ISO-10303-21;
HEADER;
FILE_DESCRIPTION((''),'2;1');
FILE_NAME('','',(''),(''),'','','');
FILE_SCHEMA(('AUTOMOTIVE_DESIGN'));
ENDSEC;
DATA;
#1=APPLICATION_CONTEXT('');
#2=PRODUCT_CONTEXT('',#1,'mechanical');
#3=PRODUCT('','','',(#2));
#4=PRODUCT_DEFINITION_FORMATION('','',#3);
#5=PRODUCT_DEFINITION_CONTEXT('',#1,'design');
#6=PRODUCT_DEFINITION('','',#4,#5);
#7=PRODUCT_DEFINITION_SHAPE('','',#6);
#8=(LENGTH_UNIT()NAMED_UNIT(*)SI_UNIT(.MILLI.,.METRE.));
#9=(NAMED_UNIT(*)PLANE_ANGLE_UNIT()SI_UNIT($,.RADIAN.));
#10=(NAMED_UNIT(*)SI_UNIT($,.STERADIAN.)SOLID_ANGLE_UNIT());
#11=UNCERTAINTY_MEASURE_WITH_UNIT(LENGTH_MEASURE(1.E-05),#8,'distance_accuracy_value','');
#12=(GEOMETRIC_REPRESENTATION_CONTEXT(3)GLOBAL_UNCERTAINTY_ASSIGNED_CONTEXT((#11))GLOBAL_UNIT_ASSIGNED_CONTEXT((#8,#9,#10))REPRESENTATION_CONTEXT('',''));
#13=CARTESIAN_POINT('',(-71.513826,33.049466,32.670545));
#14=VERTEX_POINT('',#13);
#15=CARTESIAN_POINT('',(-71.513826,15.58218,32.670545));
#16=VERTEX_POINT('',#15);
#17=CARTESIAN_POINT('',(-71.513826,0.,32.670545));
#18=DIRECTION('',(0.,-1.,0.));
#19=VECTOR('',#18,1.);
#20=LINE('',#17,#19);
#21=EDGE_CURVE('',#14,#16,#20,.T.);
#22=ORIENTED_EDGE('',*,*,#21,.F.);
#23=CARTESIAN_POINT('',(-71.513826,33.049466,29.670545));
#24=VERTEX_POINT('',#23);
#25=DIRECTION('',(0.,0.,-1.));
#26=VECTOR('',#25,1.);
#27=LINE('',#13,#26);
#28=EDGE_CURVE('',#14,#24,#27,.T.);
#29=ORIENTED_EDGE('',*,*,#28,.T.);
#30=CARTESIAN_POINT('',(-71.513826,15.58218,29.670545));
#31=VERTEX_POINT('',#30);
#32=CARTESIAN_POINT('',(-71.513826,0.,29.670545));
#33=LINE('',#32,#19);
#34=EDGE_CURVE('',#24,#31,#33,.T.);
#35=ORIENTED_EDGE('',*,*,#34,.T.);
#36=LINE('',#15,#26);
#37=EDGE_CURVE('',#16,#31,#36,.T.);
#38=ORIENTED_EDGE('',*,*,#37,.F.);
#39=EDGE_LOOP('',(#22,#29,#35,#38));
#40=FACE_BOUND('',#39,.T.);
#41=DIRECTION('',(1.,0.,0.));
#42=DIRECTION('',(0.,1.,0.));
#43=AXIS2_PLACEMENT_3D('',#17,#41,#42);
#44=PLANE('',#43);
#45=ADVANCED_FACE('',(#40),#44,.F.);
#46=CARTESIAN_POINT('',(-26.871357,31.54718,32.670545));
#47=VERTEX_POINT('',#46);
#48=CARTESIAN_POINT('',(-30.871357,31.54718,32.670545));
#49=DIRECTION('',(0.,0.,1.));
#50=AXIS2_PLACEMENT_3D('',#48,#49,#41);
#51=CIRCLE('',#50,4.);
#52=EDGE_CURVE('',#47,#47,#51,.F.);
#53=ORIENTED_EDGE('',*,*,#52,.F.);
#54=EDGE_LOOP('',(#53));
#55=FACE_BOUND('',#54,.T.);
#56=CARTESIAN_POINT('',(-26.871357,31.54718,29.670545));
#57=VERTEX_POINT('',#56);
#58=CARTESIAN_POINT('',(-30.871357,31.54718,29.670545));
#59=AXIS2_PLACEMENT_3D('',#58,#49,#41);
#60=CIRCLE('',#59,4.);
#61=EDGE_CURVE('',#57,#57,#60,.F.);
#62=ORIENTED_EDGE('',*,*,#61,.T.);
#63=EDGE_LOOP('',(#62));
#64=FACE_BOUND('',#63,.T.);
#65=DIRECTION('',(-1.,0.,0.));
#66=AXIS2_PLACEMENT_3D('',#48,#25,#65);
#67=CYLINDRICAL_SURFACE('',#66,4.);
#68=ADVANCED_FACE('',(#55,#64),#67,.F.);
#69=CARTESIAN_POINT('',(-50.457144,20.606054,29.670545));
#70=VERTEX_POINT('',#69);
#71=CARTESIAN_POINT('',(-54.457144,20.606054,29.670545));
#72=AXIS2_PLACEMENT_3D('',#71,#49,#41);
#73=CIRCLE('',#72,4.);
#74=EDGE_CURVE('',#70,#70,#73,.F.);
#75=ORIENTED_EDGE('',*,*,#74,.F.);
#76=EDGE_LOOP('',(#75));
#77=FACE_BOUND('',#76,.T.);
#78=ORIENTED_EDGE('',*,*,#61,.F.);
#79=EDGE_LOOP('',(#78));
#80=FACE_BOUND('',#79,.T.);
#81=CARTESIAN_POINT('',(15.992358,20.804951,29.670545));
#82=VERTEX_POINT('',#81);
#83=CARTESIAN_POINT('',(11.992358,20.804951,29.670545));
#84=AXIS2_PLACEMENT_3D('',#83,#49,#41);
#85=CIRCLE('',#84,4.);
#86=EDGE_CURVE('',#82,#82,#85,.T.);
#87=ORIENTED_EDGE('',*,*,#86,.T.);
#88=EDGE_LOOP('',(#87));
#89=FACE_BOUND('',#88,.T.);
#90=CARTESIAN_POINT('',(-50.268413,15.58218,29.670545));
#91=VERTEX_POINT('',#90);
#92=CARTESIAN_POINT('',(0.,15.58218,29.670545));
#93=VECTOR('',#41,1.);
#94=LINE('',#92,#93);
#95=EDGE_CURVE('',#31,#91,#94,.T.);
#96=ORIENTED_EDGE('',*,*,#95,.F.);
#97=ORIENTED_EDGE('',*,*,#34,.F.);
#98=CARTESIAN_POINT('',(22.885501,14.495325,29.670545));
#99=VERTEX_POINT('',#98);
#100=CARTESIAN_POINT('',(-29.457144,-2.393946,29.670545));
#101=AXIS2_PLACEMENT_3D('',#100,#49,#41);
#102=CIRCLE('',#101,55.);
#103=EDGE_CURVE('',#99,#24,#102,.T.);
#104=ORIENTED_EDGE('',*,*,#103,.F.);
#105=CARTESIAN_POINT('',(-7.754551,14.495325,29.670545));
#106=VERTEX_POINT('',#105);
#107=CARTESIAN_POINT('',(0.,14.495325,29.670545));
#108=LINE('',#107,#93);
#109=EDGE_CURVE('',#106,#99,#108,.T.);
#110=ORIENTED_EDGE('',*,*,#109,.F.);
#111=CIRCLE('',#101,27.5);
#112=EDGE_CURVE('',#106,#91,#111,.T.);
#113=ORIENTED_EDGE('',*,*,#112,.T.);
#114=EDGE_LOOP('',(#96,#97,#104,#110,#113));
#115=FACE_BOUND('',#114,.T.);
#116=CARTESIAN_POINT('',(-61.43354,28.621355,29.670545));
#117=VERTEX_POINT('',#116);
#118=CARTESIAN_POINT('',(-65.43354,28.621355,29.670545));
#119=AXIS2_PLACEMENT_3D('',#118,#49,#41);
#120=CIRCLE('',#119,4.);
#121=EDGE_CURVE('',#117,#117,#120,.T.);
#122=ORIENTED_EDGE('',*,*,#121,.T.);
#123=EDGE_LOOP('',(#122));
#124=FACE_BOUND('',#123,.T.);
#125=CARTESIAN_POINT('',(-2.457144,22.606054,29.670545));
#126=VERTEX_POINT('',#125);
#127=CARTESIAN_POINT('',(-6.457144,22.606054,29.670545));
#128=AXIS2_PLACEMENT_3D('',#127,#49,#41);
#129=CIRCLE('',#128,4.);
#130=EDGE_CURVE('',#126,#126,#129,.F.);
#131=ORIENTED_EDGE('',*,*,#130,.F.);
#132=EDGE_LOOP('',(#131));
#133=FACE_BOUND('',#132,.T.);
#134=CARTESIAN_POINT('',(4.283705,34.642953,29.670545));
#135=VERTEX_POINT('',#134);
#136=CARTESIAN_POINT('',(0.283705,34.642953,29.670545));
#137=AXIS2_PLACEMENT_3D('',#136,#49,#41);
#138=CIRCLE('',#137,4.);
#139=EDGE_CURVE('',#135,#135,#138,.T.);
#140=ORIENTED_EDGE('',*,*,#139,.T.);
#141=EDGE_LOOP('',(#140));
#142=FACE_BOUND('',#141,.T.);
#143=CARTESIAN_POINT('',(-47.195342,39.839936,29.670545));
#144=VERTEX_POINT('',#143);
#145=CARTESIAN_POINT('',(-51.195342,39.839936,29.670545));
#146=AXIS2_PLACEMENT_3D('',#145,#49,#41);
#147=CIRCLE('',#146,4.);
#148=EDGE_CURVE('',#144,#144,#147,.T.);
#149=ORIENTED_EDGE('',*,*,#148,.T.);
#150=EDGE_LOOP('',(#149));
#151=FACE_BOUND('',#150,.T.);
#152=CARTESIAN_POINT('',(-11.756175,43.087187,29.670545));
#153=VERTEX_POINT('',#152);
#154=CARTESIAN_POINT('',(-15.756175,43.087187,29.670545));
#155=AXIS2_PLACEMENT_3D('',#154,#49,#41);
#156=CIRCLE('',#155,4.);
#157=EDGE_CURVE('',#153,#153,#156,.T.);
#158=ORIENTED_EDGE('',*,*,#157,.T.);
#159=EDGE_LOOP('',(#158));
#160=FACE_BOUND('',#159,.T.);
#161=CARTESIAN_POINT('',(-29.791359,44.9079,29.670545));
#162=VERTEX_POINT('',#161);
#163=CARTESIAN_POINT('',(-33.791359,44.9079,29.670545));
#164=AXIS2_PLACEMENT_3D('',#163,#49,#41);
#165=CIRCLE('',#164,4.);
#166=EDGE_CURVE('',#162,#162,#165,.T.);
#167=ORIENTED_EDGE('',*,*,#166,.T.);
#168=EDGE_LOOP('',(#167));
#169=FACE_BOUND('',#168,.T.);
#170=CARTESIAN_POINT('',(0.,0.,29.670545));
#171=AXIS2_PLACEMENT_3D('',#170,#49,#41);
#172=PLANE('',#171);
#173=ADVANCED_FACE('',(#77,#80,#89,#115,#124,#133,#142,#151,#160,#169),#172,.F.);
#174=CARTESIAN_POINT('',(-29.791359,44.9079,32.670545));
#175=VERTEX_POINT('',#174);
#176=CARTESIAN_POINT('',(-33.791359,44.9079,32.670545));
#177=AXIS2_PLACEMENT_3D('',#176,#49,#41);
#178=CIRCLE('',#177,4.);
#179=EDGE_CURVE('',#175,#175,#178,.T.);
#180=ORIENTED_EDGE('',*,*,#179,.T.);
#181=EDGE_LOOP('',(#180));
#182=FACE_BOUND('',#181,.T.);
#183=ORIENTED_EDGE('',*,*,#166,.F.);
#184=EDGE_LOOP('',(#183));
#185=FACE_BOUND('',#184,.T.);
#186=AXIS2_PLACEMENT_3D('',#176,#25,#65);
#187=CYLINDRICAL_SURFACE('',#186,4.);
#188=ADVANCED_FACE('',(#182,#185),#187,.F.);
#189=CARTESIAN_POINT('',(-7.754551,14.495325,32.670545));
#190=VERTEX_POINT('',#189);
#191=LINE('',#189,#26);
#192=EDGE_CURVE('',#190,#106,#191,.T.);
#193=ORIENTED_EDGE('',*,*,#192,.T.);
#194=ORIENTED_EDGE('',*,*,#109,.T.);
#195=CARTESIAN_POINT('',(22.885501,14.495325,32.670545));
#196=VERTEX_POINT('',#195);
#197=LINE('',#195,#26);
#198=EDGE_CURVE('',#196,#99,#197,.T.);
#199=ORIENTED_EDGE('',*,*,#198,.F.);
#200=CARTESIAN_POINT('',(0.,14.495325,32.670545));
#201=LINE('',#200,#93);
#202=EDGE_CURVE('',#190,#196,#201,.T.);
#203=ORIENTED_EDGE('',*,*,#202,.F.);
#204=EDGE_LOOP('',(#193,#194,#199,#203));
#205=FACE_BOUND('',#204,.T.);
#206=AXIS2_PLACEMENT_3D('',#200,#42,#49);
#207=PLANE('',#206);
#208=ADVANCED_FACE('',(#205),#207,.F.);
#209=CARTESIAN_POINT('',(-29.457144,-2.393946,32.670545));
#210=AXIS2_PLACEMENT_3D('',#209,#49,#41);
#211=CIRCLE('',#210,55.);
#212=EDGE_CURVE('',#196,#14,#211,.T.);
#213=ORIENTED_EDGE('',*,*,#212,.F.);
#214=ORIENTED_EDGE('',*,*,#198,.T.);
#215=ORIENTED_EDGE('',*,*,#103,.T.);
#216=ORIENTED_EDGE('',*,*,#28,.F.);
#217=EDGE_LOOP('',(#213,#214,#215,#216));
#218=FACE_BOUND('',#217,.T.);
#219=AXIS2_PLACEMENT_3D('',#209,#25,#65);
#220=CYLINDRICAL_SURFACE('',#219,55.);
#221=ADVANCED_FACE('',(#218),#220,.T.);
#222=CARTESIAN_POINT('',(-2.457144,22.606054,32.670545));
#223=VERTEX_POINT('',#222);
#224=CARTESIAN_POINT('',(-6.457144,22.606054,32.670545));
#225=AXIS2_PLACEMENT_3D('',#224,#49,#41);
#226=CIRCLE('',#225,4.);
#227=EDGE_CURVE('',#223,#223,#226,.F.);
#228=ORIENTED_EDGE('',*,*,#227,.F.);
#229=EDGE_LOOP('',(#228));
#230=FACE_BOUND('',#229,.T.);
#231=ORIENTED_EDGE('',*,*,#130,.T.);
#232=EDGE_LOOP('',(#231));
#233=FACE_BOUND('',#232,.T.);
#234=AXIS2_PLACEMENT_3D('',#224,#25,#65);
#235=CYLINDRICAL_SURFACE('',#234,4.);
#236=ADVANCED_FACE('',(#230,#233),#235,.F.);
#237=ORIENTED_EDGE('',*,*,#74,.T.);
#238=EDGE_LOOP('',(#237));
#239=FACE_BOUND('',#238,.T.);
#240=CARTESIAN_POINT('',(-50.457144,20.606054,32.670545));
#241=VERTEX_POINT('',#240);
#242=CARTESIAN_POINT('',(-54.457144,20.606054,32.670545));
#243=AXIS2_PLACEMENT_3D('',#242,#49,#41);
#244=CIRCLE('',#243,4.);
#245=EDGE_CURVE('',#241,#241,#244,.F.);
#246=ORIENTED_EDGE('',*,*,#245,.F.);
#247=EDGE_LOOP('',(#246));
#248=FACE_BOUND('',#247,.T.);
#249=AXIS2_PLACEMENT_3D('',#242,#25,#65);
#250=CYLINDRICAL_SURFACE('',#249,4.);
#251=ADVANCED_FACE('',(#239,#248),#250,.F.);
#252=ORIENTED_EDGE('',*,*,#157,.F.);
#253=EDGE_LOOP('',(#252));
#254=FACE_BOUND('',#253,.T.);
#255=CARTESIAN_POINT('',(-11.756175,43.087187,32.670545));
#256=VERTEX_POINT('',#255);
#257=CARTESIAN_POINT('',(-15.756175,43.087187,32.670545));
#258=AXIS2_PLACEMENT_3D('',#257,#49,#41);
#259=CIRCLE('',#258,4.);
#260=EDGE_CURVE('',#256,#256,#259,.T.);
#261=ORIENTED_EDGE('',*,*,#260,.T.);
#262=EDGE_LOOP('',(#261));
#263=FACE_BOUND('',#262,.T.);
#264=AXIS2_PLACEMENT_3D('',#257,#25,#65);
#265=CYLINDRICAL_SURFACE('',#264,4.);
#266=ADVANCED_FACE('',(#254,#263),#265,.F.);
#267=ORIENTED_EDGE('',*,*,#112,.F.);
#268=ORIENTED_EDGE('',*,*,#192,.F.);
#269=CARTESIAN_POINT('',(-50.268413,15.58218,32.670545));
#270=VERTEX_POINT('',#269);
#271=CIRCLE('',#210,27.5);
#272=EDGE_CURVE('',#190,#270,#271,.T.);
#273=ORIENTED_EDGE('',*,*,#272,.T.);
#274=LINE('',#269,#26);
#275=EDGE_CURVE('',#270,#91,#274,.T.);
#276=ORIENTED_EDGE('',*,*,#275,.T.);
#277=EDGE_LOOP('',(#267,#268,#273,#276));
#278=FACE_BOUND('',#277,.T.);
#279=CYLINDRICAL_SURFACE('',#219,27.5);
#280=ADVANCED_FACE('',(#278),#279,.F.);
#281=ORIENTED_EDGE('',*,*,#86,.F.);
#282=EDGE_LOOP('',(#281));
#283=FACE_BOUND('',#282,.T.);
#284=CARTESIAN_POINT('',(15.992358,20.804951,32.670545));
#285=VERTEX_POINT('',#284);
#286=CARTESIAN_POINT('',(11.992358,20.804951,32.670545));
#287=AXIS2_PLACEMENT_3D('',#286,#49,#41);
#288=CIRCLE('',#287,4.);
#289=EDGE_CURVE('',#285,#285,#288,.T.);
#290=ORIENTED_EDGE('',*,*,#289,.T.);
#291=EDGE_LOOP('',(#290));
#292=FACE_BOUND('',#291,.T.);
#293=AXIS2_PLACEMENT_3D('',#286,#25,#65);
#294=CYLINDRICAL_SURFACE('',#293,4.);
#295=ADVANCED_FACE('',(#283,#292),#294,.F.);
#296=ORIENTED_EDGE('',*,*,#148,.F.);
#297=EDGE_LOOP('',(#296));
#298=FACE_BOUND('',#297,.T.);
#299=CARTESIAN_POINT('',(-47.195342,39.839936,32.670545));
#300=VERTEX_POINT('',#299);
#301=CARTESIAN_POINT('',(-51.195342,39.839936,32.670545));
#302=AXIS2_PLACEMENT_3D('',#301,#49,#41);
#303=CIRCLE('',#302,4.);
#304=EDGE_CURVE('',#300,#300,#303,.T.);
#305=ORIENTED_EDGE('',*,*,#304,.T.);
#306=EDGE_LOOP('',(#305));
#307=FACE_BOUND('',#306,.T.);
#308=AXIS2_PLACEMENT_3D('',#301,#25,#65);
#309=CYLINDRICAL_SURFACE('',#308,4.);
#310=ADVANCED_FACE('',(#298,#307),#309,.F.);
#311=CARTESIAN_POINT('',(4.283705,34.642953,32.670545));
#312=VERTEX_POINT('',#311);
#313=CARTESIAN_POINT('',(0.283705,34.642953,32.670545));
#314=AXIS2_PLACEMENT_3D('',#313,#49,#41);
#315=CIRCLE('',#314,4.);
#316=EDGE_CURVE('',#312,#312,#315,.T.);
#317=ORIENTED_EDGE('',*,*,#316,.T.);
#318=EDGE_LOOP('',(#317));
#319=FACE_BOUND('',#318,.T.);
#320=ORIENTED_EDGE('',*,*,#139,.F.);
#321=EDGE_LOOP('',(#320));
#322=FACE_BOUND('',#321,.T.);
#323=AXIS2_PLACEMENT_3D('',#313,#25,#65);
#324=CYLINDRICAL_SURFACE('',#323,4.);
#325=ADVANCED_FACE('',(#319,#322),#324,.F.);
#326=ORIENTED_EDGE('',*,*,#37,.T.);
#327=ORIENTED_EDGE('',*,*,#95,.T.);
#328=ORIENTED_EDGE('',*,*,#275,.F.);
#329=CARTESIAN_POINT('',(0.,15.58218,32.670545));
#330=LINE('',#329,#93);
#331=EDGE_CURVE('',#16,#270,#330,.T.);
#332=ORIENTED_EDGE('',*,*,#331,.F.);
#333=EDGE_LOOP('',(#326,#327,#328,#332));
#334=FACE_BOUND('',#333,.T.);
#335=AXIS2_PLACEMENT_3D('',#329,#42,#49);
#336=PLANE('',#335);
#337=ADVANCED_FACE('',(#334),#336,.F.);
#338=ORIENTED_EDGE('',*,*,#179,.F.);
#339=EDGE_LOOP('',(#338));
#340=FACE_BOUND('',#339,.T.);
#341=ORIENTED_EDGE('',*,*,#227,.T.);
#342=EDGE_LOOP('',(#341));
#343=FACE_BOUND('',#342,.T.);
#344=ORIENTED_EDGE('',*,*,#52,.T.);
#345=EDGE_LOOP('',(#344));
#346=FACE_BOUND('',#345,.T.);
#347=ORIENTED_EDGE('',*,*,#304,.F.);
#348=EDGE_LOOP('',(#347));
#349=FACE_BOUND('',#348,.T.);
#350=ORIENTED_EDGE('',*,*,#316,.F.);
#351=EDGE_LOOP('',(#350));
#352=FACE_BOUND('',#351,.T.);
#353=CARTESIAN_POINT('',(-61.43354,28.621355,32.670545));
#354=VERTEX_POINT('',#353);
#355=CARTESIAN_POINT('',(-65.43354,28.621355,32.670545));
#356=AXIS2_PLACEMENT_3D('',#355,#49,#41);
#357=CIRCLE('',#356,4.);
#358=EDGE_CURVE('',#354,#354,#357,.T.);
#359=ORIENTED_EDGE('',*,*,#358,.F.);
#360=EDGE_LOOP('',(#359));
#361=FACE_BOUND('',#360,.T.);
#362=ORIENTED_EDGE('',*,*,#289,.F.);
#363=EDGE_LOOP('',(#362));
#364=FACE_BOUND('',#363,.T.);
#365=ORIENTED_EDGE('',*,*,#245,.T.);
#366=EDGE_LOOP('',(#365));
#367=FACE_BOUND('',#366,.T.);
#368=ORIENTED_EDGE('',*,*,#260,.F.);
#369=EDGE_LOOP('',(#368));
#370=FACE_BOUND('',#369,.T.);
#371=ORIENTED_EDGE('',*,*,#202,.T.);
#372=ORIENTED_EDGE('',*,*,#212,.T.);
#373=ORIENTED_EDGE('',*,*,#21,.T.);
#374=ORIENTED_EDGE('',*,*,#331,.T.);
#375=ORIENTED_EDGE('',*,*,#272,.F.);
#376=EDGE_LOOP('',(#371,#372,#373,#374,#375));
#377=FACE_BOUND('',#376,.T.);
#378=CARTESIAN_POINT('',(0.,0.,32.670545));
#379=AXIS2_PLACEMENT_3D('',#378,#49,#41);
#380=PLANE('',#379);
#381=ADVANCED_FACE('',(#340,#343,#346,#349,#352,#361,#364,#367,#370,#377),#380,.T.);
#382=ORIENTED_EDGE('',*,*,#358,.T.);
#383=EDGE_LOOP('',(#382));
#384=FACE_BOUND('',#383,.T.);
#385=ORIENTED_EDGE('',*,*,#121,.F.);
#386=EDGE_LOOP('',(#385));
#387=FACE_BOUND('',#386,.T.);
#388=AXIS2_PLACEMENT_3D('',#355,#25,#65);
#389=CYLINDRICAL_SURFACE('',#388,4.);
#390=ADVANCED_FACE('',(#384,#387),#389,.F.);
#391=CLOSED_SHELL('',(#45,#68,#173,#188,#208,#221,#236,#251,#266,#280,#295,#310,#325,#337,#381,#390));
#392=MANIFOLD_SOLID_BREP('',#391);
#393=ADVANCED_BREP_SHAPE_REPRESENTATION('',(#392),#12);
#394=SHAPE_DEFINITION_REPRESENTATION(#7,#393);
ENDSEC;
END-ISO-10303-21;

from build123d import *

# Parameters (mm, degrees)
SKETCH2_R           = 4
BOSS_EXTRUDE1_DEPTH = 3


with BuildPart() as part:
    # Sketch2 → Boss-Extrude1 (new body)
    # profile 1 of 3: a face of its own
    with BuildSketch(Plane.XY.offset(29.670544835)):
        with BuildLine():
            ThreePointArc((6.802372388, 14.495325214), (-28.853343247, 37.601496731), (-65.190306526, 15.582179772))
            Line((-65.190306526, 15.582179772), (-50.268412727, 15.582179772))
            ThreePointArc((-50.268412727, 15.582179772), (-28.754344017, 25.097072211), (-7.754551371, 14.495325214))
            Line((-7.754551371, 14.495325214), (6.802372388, 14.495325214))
        make_face()
        with Locations((-54.457143935, 20.606054181)):
            Circle(SKETCH2_R, mode=Mode.SUBTRACT)
        with Locations((-30.871357497, 31.547179678)):
            Circle(SKETCH2_R, mode=Mode.SUBTRACT)
        with Locations((-6.457143935, 22.606054181)):
            Circle(SKETCH2_R, mode=Mode.SUBTRACT)
    # profile 2 of 3: a face of its own
    with BuildSketch(Plane.XY.offset(29.670544835)):
        with BuildLine():
            ThreePointArc((-67.915477314, 25.484479418), (-69.818945991, 22.649515101), (-71.513826382, 19.685127113))
            Line((-71.513826382, 19.685127113), (-71.513826382, 15.582179772))
            Line((-71.513826382, 15.582179772), (-65.190306526, 15.582179772))
            ThreePointArc((-65.190306526, 15.582179772), (-28.853343247, 37.601496731), (6.802372388, 14.495325214))
            Line((6.802372388, 14.495325214), (14.938830252, 14.495325214))
            ThreePointArc((14.938830252, 14.495325214), (14.389447504, 15.874234692), (13.797248858, 17.235305417))
            ThreePointArc((13.797248858, 17.235305417), (8.501873451, 18.851359524), (9.893531234, 24.21008327))
            ThreePointArc((9.893531234, 24.21008327), (6.804255556, 28.287659534), (3.294383766, 32.009359739))
            ThreePointArc((3.294383766, 32.009359739), (-2.22078734, 31.524056472), (-2.93787796, 37.013902793))
            ThreePointArc((-2.93787796, 37.013902793), (-7.329691445, 39.637302632), (-11.978161336, 41.773181859))
            ThreePointArc((-11.978161336, 41.773181859), (-16.909941136, 39.257197046), (-19.63134861, 44.078667044))
            ThreePointArc((-19.63134861, 44.078667044), (-24.686110043, 44.86583873), (-29.796210715, 45.104843995))
            ThreePointArc((-29.796210715, 45.104843995), (-29.792572401, 45.00640165), (-29.791359384, 44.907899562))
            ThreePointArc((-29.791359384, 44.907899562), (-33.524574673, 40.916806239), (-37.755772343, 44.375518221))
            ThreePointArc((-37.755772343, 44.375518221), (-42.737345236, 43.211824139), (-47.564881022, 41.519148556))
            ThreePointArc((-47.564881022, 41.519148556), (-47.288818763, 40.699632679), (-47.195341682, 39.839935825))
            ThreePointArc((-47.195341682, 39.839935825), (-50.171922049, 35.97307505), (-54.67164781, 37.861225208))
            ThreePointArc((-54.67164781, 37.861225208), (-58.85455429, 34.916136792), (-62.696480095, 31.538288585))
            ThreePointArc((-62.696480095, 31.538288585), (-61.762829246, 30.210656667), (-61.433540443, 28.621355152))
            ThreePointArc((-61.433540443, 28.621355152), (-63.691092092, 25.020817172), (-67.915477314, 25.484479418))
        make_face()
    # profile 3 of 3: a face of its own
    with BuildSketch(Plane.XY.offset(29.670544835)):
        with BuildLine():
            ThreePointArc((22.885501432, 14.495325214), (-18.849868318, 51.573504594), (-71.513826382, 33.049466285))
            Line((-71.513826382, 33.049466285), (-71.513826382, 19.685127113))
            ThreePointArc((-71.513826382, 19.685127113), (-69.818945991, 22.649515101), (-67.915477314, 25.484479418))
            ThreePointArc((-67.915477314, 25.484479418), (-68.463131728, 31.233169971), (-62.696480095, 31.538288585))
            ThreePointArc((-62.696480095, 31.538288585), (-58.85455429, 34.916136792), (-54.67164781, 37.861225208))
            ThreePointArc((-54.67164781, 37.861225208), (-53.025926756, 43.396473227), (-47.564881022, 41.519148556))
            ThreePointArc((-47.564881022, 41.519148556), (-42.737345236, 43.211824139), (-37.755772343, 44.375518221))
            ThreePointArc((-37.755772343, 44.375518221), (-34.156345949, 48.891212858), (-29.796210715, 45.104843995))
            ThreePointArc((-29.796210715, 45.104843995), (-24.686110043, 44.86583873), (-19.63134861, 44.078667044))
            ThreePointArc((-19.63134861, 44.078667044), (-15.256521979, 47.055857815), (-11.756175362, 43.087187195))
            ThreePointArc((-11.756175362, 43.087187195), (-11.812062273, 42.420874994), (-11.978161336, 41.773181859))
            ThreePointArc((-11.978161336, 41.773181859), (-7.329691445, 39.637302632), (-2.93787796, 37.013902793))
            ThreePointArc((-2.93787796, 37.013902793), (1.531436617, 38.443369839), (4.283705221, 34.642953235))
            ThreePointArc((4.283705221, 34.642953235), (4.028215481, 33.23631081), (3.294383766, 32.009359739))
            ThreePointArc((3.294383766, 32.009359739), (6.804255556, 28.287659534), (9.893531234, 24.21008327))
            ThreePointArc((9.893531234, 24.21008327), (13.942318539, 24.297464692), (15.992357809, 20.804950819))
            ThreePointArc((15.992357809, 20.804950819), (15.399670841, 18.709666137), (13.797248858, 17.235305417))
            ThreePointArc((13.797248858, 17.235305417), (14.389447504, 15.874234692), (14.938830252, 14.495325214))
            Line((14.938830252, 14.495325214), (22.885501432, 14.495325214))
        make_face()
    extrude(amount=BOSS_EXTRUDE1_DEPTH)


solid = part.part
